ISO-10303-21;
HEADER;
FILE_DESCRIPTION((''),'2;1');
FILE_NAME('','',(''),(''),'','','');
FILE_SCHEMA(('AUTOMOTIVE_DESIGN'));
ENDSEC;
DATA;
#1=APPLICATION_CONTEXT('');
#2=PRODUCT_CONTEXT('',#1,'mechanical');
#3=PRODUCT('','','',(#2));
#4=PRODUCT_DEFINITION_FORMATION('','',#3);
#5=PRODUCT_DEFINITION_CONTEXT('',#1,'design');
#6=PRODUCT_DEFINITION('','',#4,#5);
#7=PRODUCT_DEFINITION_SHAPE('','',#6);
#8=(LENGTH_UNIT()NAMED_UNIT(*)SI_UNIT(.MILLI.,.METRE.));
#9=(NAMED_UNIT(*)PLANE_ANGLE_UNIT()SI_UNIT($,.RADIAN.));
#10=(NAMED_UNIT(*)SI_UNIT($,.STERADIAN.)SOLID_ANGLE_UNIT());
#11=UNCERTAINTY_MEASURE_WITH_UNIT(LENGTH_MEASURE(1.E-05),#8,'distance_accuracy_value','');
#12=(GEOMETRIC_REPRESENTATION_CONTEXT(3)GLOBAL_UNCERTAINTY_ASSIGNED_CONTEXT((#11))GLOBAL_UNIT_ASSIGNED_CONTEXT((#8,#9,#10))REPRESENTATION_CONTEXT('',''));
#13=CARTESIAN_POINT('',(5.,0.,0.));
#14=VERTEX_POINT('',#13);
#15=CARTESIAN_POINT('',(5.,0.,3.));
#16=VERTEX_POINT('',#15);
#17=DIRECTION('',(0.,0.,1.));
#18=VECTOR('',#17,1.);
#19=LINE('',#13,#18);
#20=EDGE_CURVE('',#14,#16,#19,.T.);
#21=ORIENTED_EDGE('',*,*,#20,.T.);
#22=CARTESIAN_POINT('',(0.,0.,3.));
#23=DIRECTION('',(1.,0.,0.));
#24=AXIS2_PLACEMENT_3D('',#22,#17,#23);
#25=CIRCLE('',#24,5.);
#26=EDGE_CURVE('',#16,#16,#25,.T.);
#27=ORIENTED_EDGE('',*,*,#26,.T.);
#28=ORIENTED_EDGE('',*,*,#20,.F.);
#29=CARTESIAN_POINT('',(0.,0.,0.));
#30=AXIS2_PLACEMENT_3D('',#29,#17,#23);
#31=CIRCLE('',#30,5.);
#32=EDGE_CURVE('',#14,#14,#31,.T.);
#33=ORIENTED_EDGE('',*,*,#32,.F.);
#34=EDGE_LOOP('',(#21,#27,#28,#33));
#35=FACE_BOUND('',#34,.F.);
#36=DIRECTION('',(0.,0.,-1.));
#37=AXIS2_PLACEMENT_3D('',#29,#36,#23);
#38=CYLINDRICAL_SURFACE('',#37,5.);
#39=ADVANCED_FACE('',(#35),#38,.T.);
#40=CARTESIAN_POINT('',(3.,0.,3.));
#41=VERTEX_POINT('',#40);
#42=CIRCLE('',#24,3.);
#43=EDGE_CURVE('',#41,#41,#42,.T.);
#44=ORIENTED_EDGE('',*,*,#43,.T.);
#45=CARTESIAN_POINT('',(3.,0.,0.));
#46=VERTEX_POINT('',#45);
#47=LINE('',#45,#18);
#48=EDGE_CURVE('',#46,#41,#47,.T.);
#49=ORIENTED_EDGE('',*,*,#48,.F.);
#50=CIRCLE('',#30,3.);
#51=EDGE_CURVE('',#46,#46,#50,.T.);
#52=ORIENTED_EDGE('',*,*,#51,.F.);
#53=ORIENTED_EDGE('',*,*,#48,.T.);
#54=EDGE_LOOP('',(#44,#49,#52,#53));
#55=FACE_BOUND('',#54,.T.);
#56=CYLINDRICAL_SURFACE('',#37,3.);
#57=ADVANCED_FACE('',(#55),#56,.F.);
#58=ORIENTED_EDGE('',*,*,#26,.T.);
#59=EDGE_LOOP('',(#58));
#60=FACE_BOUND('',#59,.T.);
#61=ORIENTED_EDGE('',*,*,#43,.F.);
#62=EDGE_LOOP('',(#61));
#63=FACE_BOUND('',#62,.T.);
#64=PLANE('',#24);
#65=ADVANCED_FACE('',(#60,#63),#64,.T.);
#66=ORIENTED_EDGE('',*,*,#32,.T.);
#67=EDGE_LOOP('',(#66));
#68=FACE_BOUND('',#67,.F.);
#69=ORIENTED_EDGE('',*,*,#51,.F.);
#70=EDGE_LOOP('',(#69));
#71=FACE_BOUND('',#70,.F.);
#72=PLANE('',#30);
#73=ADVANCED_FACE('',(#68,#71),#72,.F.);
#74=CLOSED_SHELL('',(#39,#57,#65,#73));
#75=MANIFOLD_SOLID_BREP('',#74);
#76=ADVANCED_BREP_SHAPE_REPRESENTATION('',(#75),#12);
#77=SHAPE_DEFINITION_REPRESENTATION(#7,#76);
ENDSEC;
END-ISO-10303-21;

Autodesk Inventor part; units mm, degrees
ref_plane "YZ Plane" through (0, 0, 0) normal (1, 0, 0) x (0, 1, 0)
ref_plane "XZ Plane" through (0, 0, 0) normal (0, 1, 0) x (-1, 0, 0)
ref_plane "XY Plane" through (0, 0, 0) normal (0, 0, 1) x (1, 0, 0)
sketch "スケッチ1" plane through (0, 0, 0) normal (0, 0, 1) x (1, 0, 0)
  circle A0 centre (0, 0) radius 3
  circle A1 centre (0, 0) radius 5
  dimension "d0" = 6
  dimension "d1" = 10
extrude "押し出し1" add sketch "スケッチ1" along normal blind 3
properties part number "676ZZ" material "鋼、炭素鋼"
